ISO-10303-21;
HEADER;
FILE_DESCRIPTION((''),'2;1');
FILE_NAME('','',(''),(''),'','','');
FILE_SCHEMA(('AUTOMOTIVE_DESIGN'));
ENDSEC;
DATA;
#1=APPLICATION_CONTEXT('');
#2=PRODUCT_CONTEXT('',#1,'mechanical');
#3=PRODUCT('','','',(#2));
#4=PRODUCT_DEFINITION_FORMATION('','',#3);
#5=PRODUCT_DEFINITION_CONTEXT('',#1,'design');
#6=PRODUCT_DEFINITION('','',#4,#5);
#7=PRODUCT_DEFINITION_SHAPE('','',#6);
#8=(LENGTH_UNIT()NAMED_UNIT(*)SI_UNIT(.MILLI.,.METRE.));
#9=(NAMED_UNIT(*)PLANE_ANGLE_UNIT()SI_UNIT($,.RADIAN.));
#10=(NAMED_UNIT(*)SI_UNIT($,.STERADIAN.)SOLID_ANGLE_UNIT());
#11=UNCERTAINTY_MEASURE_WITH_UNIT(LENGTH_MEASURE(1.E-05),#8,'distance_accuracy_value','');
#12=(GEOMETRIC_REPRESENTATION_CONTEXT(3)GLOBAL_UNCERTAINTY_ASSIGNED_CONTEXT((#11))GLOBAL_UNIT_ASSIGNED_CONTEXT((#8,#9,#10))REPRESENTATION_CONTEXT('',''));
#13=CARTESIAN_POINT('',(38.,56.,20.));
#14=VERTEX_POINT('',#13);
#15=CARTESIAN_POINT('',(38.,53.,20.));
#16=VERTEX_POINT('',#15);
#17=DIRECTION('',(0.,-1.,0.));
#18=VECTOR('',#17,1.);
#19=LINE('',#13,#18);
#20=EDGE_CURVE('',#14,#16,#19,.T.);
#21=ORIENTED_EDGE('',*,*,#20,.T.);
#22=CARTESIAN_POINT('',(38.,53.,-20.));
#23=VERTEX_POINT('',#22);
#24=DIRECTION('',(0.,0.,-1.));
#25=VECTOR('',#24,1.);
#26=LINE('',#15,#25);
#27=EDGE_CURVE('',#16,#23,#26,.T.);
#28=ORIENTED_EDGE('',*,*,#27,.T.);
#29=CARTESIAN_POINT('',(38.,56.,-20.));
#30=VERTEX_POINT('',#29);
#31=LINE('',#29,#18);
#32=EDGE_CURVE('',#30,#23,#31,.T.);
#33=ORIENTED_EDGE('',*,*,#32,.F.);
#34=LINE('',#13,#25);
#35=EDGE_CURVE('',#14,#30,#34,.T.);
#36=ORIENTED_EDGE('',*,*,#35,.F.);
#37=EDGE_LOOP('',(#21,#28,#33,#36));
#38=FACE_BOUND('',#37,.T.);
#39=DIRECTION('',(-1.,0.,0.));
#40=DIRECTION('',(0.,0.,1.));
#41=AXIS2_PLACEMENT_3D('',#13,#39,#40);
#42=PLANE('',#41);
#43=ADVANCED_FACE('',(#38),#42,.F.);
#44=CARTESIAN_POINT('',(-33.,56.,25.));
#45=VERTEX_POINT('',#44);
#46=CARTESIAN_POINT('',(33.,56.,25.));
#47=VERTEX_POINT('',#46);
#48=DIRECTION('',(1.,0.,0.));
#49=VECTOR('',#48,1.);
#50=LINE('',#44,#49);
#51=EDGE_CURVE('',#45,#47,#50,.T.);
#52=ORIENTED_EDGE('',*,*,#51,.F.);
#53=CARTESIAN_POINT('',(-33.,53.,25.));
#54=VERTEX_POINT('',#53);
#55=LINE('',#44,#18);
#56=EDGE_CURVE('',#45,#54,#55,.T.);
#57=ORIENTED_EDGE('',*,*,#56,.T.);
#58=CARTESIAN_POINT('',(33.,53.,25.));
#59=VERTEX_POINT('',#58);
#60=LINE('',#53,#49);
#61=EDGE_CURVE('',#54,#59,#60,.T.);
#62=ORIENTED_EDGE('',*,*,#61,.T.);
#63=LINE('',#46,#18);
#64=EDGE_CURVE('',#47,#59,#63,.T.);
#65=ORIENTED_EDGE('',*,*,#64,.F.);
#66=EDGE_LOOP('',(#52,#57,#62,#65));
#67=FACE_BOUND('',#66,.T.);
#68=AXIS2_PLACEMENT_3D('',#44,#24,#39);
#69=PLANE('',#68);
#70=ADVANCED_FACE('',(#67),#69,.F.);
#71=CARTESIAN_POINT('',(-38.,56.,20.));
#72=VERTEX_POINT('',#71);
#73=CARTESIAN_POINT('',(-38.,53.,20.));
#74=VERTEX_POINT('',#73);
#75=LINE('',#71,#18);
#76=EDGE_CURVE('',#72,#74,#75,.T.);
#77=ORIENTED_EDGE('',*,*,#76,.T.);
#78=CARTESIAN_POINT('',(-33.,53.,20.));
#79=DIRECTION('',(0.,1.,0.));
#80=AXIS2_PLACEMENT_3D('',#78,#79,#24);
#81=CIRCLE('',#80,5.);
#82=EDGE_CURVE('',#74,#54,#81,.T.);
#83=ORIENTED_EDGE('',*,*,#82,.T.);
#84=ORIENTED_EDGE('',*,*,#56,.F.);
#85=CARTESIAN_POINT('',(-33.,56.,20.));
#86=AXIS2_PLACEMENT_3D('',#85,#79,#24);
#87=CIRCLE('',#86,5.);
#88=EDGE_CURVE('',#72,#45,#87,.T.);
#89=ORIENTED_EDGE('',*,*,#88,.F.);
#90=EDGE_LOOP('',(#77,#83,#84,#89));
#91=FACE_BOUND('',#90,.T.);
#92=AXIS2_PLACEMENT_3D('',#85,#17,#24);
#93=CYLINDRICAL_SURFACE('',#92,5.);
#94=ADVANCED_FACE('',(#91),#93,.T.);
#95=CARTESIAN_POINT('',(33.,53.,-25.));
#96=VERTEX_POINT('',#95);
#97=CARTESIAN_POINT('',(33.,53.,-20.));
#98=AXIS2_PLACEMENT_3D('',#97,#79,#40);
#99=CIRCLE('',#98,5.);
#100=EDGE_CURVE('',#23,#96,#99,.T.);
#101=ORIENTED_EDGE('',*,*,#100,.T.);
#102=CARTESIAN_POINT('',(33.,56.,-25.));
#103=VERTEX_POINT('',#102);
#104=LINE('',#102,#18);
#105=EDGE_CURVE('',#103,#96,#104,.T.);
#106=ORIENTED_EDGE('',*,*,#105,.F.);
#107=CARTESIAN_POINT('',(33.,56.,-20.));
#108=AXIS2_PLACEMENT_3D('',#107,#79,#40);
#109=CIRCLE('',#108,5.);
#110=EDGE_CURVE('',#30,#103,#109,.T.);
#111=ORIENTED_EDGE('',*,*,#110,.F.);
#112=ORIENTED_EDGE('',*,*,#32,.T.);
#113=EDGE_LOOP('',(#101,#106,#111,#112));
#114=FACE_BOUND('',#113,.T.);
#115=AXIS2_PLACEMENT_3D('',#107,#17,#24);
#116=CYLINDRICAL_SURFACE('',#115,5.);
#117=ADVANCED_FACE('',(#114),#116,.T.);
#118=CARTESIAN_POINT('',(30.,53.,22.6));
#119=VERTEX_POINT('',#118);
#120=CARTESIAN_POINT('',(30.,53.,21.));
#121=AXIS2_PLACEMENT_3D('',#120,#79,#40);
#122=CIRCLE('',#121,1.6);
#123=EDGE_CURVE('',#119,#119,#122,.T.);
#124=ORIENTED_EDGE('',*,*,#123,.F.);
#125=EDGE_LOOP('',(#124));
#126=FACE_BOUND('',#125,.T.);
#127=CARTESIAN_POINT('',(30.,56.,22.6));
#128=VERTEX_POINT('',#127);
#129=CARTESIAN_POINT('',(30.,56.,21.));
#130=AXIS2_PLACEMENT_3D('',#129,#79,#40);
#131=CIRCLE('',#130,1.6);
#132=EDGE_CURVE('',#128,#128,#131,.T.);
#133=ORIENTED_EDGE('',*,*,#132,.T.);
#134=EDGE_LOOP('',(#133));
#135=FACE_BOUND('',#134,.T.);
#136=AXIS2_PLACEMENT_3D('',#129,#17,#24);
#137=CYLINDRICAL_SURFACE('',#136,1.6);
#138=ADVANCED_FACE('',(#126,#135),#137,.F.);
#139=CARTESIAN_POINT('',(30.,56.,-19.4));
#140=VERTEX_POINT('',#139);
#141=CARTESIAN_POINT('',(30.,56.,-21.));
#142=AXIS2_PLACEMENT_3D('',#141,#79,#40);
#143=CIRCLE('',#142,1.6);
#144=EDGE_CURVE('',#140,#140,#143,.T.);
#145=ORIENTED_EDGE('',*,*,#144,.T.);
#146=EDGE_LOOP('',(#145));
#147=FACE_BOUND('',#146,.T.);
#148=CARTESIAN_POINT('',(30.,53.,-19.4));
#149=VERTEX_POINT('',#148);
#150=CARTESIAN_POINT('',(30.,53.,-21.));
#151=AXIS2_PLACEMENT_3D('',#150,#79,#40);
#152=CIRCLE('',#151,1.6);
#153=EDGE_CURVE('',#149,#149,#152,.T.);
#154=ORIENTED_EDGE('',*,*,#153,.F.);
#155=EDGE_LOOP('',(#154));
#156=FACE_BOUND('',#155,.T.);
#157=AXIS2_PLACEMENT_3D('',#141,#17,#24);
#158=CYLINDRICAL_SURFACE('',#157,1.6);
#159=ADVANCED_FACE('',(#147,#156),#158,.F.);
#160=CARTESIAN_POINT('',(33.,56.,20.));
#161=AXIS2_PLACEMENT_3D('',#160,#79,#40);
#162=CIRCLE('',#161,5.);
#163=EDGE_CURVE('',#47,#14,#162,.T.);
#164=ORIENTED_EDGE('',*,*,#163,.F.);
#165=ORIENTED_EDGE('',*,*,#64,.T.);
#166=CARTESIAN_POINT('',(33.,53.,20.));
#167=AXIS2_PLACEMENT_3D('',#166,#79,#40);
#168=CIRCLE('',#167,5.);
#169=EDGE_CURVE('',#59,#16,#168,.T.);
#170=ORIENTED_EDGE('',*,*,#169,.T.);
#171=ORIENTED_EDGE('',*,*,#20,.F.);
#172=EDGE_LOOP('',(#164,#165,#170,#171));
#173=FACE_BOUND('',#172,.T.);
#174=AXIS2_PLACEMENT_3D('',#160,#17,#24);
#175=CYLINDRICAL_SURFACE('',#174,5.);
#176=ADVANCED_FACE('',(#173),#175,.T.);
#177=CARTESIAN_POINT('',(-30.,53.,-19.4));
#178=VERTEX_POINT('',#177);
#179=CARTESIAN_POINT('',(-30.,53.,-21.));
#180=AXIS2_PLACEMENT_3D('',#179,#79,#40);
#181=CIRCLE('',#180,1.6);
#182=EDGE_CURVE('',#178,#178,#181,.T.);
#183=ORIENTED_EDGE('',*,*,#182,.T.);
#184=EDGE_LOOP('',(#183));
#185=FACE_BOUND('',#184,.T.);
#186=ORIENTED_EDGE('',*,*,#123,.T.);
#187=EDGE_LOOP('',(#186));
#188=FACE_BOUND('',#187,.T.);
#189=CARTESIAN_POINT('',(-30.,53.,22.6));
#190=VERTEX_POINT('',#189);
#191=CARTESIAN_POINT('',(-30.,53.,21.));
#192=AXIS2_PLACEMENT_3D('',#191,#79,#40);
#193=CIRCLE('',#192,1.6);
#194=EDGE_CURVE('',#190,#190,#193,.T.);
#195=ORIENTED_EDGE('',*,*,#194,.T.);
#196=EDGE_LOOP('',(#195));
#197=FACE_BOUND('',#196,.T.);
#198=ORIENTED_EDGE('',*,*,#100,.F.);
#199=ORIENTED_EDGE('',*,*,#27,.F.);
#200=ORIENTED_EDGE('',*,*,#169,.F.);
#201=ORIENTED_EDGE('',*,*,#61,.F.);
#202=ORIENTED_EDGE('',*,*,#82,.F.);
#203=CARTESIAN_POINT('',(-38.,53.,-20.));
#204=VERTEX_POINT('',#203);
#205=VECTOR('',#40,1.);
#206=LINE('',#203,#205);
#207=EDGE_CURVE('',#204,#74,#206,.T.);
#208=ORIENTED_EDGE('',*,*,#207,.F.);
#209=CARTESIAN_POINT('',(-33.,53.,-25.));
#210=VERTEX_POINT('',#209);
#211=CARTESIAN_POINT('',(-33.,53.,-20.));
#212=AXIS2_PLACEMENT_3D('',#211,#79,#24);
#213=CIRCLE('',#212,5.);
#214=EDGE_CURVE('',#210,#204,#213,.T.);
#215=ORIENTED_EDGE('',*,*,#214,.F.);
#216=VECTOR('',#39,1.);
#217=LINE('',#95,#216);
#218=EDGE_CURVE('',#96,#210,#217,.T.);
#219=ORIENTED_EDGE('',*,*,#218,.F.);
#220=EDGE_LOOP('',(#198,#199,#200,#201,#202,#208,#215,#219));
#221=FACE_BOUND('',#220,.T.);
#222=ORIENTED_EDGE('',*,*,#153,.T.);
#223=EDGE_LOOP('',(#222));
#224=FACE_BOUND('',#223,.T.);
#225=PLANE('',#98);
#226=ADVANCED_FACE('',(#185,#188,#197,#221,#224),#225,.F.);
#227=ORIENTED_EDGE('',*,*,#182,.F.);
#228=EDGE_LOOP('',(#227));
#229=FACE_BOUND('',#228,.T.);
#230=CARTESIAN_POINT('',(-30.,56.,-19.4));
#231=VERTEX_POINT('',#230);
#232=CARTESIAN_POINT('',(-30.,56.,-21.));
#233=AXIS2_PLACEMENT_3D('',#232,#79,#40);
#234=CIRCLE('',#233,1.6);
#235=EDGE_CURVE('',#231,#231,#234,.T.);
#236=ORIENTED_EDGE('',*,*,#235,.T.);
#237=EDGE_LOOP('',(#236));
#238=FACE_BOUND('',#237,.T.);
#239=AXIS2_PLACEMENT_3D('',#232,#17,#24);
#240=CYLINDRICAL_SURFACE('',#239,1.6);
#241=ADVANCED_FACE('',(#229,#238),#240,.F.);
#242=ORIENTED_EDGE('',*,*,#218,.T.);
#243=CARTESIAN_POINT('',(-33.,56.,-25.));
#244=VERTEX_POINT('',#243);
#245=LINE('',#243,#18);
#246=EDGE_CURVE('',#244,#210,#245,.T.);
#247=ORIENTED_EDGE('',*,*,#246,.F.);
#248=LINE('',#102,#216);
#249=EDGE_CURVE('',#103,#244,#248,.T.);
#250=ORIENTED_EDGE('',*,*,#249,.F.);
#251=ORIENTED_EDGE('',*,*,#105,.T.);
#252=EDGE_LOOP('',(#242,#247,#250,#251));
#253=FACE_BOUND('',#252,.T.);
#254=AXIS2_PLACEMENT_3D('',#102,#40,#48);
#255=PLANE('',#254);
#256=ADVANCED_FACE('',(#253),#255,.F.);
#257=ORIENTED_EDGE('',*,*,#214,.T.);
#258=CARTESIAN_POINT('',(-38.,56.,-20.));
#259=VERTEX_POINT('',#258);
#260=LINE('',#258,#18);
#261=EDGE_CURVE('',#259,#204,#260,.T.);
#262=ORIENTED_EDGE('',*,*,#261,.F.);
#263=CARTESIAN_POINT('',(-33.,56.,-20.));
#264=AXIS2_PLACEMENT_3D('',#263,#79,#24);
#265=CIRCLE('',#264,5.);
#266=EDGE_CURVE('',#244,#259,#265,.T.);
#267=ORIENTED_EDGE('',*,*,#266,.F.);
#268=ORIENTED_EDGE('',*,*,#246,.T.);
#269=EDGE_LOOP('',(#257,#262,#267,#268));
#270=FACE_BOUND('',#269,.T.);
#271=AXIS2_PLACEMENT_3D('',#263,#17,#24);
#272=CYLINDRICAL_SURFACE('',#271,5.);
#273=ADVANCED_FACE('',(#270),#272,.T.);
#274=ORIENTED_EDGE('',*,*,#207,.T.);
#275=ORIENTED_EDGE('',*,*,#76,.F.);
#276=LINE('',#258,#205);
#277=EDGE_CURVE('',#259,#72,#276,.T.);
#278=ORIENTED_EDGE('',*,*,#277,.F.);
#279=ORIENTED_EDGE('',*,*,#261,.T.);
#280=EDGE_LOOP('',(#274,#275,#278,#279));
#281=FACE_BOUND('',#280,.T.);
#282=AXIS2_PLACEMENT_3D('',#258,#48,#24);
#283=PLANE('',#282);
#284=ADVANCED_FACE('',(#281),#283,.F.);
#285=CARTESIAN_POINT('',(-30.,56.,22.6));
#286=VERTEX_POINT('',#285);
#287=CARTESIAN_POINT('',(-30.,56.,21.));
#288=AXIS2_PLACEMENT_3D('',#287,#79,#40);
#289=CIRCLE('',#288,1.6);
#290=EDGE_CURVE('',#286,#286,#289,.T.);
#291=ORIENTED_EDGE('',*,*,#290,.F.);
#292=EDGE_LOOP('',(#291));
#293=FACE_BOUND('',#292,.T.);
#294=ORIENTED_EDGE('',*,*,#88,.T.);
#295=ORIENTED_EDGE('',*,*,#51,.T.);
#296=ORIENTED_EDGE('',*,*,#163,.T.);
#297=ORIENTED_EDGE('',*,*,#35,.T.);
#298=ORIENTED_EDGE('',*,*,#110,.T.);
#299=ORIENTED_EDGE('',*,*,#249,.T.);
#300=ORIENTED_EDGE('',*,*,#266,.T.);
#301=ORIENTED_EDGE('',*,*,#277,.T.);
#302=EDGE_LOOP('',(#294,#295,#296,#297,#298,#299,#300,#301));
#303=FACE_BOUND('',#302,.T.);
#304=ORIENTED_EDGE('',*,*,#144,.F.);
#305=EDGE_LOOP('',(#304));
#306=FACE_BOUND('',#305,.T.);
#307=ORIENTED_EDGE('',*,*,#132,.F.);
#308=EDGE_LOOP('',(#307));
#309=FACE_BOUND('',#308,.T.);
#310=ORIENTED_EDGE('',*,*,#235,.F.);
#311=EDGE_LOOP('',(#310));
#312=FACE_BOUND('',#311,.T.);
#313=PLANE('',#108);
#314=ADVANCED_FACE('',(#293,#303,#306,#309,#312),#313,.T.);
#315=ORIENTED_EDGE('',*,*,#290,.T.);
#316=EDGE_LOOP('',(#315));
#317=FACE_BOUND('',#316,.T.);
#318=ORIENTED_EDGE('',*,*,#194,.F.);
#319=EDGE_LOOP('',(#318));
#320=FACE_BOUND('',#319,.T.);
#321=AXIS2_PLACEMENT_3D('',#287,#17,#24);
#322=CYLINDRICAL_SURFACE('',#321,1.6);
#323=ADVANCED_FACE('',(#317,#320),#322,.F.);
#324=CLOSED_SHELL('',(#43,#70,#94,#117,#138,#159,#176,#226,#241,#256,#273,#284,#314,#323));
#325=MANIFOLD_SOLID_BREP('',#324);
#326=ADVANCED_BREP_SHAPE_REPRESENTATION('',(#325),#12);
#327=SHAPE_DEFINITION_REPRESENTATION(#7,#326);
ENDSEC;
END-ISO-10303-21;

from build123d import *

# Parameters (mm, degrees)
SKETCH1_R           = 1.6
BOSS_EXTRUDE1_DEPTH = 3


with BuildPart() as part:
    # Sketch1 → Boss-Extrude1 (new body)
    with BuildSketch(Plane(origin=(0, 53, 0), x_dir=(1, 0, 0), z_dir=(0, 1, 0))):
        with BuildLine():
            Line((33, 25), (-33, 25))
            ThreePointArc((-33, 25), (-36.535533906, 23.535533906), (-38, 20))
            Line((-38, 20), (-38, -20))
            ThreePointArc((-38, -20), (-36.535533906, -23.535533906), (-33, -25))
            Line((-33, -25), (33, -25))
            ThreePointArc((33, -25), (36.535533906, -23.535533906), (38, -20))
            Line((38, -20), (38, 20))
            ThreePointArc((38, 20), (36.535533906, 23.535533906), (33, 25))
        make_face()
        with Locations(Location((30, 21, 0), (0, 0, 270))):
            Circle(SKETCH1_R, mode=Mode.SUBTRACT)
        with Locations(Location((-30, 21, 0), (0, 0, 270))):
            Circle(SKETCH1_R, mode=Mode.SUBTRACT)
        with Locations(Location((30, -21, 0), (0, 0, 270))):
            Circle(SKETCH1_R, mode=Mode.SUBTRACT)
        with Locations(Location((-30, -21, 0), (0, 0, 270))):
            Circle(SKETCH1_R, mode=Mode.SUBTRACT)
    extrude(amount=BOSS_EXTRUDE1_DEPTH)


solid = part.part
